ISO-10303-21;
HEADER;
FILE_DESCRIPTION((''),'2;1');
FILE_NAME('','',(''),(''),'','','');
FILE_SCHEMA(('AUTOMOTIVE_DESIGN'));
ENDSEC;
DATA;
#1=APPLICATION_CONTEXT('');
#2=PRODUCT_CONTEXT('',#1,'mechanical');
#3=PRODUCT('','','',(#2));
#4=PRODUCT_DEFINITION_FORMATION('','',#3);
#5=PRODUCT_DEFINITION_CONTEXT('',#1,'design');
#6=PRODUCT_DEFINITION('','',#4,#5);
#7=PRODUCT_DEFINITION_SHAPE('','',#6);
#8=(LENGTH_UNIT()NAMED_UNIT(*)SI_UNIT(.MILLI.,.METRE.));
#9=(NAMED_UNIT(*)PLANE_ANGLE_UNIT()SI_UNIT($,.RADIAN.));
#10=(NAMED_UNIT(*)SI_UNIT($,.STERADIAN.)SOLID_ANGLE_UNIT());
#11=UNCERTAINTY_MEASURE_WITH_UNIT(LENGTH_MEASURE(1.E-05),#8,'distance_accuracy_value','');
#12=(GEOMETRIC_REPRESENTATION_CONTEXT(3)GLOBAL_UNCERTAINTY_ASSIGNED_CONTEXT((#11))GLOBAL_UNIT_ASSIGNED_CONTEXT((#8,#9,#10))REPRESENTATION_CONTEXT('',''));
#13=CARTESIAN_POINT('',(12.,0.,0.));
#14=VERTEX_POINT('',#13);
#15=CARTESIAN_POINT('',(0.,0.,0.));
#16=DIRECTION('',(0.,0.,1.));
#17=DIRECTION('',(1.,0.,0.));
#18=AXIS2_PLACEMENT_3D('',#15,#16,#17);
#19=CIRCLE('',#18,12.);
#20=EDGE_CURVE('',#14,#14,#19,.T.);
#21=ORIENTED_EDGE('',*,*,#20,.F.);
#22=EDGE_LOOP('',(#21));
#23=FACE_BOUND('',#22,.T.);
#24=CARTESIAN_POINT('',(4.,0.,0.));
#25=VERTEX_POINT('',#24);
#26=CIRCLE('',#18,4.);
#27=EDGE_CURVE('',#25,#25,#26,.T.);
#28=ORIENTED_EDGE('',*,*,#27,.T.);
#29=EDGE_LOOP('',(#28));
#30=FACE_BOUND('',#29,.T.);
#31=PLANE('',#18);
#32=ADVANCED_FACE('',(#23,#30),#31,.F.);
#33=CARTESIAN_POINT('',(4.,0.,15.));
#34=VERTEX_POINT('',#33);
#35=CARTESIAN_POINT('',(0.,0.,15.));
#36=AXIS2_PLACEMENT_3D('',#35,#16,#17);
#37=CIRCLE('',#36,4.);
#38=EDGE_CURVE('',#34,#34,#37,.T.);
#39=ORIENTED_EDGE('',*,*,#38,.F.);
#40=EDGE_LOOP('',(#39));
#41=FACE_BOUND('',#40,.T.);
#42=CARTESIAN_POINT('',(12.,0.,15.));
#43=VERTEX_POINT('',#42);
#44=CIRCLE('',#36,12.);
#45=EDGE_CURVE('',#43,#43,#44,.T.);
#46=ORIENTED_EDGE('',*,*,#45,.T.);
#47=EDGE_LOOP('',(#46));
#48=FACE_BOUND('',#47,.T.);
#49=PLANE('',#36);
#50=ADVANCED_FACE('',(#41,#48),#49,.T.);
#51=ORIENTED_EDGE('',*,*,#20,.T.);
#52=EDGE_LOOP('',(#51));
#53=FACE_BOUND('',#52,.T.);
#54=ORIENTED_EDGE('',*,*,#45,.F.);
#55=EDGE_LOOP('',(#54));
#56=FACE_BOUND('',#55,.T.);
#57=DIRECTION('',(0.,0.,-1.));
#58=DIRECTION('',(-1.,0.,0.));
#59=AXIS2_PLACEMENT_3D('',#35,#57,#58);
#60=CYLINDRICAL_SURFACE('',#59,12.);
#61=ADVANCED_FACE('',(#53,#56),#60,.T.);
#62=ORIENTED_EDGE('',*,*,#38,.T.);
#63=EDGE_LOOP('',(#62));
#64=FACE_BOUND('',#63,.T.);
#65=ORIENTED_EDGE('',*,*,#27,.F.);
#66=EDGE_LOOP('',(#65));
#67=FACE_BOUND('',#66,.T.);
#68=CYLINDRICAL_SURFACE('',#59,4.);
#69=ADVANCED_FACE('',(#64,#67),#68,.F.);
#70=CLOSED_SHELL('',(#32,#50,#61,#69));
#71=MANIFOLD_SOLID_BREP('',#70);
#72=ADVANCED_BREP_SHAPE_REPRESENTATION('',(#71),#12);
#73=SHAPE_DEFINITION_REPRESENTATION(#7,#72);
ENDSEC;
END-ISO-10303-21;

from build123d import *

# Parameters (mm, degrees)
SKETCH_1_R          = 12
EXTRUDE_1_DEPTH     = 15
SKETCH_2_R          = 4
CUT_EXTRUDE_1_DEPTH = 15


with BuildPart() as part:
    # 草图1 → 凸台-拉伸1 (new body)
    with BuildSketch(Plane.XY):
        Circle(SKETCH_1_R)
    extrude(amount=EXTRUDE_1_DEPTH)

    # 草图2 → 切除-拉伸1 (cut)
    with BuildSketch(Plane.XY):
        Circle(SKETCH_2_R)
    extrude(amount=CUT_EXTRUDE_1_DEPTH, mode=Mode.SUBTRACT)


solid = part.part
